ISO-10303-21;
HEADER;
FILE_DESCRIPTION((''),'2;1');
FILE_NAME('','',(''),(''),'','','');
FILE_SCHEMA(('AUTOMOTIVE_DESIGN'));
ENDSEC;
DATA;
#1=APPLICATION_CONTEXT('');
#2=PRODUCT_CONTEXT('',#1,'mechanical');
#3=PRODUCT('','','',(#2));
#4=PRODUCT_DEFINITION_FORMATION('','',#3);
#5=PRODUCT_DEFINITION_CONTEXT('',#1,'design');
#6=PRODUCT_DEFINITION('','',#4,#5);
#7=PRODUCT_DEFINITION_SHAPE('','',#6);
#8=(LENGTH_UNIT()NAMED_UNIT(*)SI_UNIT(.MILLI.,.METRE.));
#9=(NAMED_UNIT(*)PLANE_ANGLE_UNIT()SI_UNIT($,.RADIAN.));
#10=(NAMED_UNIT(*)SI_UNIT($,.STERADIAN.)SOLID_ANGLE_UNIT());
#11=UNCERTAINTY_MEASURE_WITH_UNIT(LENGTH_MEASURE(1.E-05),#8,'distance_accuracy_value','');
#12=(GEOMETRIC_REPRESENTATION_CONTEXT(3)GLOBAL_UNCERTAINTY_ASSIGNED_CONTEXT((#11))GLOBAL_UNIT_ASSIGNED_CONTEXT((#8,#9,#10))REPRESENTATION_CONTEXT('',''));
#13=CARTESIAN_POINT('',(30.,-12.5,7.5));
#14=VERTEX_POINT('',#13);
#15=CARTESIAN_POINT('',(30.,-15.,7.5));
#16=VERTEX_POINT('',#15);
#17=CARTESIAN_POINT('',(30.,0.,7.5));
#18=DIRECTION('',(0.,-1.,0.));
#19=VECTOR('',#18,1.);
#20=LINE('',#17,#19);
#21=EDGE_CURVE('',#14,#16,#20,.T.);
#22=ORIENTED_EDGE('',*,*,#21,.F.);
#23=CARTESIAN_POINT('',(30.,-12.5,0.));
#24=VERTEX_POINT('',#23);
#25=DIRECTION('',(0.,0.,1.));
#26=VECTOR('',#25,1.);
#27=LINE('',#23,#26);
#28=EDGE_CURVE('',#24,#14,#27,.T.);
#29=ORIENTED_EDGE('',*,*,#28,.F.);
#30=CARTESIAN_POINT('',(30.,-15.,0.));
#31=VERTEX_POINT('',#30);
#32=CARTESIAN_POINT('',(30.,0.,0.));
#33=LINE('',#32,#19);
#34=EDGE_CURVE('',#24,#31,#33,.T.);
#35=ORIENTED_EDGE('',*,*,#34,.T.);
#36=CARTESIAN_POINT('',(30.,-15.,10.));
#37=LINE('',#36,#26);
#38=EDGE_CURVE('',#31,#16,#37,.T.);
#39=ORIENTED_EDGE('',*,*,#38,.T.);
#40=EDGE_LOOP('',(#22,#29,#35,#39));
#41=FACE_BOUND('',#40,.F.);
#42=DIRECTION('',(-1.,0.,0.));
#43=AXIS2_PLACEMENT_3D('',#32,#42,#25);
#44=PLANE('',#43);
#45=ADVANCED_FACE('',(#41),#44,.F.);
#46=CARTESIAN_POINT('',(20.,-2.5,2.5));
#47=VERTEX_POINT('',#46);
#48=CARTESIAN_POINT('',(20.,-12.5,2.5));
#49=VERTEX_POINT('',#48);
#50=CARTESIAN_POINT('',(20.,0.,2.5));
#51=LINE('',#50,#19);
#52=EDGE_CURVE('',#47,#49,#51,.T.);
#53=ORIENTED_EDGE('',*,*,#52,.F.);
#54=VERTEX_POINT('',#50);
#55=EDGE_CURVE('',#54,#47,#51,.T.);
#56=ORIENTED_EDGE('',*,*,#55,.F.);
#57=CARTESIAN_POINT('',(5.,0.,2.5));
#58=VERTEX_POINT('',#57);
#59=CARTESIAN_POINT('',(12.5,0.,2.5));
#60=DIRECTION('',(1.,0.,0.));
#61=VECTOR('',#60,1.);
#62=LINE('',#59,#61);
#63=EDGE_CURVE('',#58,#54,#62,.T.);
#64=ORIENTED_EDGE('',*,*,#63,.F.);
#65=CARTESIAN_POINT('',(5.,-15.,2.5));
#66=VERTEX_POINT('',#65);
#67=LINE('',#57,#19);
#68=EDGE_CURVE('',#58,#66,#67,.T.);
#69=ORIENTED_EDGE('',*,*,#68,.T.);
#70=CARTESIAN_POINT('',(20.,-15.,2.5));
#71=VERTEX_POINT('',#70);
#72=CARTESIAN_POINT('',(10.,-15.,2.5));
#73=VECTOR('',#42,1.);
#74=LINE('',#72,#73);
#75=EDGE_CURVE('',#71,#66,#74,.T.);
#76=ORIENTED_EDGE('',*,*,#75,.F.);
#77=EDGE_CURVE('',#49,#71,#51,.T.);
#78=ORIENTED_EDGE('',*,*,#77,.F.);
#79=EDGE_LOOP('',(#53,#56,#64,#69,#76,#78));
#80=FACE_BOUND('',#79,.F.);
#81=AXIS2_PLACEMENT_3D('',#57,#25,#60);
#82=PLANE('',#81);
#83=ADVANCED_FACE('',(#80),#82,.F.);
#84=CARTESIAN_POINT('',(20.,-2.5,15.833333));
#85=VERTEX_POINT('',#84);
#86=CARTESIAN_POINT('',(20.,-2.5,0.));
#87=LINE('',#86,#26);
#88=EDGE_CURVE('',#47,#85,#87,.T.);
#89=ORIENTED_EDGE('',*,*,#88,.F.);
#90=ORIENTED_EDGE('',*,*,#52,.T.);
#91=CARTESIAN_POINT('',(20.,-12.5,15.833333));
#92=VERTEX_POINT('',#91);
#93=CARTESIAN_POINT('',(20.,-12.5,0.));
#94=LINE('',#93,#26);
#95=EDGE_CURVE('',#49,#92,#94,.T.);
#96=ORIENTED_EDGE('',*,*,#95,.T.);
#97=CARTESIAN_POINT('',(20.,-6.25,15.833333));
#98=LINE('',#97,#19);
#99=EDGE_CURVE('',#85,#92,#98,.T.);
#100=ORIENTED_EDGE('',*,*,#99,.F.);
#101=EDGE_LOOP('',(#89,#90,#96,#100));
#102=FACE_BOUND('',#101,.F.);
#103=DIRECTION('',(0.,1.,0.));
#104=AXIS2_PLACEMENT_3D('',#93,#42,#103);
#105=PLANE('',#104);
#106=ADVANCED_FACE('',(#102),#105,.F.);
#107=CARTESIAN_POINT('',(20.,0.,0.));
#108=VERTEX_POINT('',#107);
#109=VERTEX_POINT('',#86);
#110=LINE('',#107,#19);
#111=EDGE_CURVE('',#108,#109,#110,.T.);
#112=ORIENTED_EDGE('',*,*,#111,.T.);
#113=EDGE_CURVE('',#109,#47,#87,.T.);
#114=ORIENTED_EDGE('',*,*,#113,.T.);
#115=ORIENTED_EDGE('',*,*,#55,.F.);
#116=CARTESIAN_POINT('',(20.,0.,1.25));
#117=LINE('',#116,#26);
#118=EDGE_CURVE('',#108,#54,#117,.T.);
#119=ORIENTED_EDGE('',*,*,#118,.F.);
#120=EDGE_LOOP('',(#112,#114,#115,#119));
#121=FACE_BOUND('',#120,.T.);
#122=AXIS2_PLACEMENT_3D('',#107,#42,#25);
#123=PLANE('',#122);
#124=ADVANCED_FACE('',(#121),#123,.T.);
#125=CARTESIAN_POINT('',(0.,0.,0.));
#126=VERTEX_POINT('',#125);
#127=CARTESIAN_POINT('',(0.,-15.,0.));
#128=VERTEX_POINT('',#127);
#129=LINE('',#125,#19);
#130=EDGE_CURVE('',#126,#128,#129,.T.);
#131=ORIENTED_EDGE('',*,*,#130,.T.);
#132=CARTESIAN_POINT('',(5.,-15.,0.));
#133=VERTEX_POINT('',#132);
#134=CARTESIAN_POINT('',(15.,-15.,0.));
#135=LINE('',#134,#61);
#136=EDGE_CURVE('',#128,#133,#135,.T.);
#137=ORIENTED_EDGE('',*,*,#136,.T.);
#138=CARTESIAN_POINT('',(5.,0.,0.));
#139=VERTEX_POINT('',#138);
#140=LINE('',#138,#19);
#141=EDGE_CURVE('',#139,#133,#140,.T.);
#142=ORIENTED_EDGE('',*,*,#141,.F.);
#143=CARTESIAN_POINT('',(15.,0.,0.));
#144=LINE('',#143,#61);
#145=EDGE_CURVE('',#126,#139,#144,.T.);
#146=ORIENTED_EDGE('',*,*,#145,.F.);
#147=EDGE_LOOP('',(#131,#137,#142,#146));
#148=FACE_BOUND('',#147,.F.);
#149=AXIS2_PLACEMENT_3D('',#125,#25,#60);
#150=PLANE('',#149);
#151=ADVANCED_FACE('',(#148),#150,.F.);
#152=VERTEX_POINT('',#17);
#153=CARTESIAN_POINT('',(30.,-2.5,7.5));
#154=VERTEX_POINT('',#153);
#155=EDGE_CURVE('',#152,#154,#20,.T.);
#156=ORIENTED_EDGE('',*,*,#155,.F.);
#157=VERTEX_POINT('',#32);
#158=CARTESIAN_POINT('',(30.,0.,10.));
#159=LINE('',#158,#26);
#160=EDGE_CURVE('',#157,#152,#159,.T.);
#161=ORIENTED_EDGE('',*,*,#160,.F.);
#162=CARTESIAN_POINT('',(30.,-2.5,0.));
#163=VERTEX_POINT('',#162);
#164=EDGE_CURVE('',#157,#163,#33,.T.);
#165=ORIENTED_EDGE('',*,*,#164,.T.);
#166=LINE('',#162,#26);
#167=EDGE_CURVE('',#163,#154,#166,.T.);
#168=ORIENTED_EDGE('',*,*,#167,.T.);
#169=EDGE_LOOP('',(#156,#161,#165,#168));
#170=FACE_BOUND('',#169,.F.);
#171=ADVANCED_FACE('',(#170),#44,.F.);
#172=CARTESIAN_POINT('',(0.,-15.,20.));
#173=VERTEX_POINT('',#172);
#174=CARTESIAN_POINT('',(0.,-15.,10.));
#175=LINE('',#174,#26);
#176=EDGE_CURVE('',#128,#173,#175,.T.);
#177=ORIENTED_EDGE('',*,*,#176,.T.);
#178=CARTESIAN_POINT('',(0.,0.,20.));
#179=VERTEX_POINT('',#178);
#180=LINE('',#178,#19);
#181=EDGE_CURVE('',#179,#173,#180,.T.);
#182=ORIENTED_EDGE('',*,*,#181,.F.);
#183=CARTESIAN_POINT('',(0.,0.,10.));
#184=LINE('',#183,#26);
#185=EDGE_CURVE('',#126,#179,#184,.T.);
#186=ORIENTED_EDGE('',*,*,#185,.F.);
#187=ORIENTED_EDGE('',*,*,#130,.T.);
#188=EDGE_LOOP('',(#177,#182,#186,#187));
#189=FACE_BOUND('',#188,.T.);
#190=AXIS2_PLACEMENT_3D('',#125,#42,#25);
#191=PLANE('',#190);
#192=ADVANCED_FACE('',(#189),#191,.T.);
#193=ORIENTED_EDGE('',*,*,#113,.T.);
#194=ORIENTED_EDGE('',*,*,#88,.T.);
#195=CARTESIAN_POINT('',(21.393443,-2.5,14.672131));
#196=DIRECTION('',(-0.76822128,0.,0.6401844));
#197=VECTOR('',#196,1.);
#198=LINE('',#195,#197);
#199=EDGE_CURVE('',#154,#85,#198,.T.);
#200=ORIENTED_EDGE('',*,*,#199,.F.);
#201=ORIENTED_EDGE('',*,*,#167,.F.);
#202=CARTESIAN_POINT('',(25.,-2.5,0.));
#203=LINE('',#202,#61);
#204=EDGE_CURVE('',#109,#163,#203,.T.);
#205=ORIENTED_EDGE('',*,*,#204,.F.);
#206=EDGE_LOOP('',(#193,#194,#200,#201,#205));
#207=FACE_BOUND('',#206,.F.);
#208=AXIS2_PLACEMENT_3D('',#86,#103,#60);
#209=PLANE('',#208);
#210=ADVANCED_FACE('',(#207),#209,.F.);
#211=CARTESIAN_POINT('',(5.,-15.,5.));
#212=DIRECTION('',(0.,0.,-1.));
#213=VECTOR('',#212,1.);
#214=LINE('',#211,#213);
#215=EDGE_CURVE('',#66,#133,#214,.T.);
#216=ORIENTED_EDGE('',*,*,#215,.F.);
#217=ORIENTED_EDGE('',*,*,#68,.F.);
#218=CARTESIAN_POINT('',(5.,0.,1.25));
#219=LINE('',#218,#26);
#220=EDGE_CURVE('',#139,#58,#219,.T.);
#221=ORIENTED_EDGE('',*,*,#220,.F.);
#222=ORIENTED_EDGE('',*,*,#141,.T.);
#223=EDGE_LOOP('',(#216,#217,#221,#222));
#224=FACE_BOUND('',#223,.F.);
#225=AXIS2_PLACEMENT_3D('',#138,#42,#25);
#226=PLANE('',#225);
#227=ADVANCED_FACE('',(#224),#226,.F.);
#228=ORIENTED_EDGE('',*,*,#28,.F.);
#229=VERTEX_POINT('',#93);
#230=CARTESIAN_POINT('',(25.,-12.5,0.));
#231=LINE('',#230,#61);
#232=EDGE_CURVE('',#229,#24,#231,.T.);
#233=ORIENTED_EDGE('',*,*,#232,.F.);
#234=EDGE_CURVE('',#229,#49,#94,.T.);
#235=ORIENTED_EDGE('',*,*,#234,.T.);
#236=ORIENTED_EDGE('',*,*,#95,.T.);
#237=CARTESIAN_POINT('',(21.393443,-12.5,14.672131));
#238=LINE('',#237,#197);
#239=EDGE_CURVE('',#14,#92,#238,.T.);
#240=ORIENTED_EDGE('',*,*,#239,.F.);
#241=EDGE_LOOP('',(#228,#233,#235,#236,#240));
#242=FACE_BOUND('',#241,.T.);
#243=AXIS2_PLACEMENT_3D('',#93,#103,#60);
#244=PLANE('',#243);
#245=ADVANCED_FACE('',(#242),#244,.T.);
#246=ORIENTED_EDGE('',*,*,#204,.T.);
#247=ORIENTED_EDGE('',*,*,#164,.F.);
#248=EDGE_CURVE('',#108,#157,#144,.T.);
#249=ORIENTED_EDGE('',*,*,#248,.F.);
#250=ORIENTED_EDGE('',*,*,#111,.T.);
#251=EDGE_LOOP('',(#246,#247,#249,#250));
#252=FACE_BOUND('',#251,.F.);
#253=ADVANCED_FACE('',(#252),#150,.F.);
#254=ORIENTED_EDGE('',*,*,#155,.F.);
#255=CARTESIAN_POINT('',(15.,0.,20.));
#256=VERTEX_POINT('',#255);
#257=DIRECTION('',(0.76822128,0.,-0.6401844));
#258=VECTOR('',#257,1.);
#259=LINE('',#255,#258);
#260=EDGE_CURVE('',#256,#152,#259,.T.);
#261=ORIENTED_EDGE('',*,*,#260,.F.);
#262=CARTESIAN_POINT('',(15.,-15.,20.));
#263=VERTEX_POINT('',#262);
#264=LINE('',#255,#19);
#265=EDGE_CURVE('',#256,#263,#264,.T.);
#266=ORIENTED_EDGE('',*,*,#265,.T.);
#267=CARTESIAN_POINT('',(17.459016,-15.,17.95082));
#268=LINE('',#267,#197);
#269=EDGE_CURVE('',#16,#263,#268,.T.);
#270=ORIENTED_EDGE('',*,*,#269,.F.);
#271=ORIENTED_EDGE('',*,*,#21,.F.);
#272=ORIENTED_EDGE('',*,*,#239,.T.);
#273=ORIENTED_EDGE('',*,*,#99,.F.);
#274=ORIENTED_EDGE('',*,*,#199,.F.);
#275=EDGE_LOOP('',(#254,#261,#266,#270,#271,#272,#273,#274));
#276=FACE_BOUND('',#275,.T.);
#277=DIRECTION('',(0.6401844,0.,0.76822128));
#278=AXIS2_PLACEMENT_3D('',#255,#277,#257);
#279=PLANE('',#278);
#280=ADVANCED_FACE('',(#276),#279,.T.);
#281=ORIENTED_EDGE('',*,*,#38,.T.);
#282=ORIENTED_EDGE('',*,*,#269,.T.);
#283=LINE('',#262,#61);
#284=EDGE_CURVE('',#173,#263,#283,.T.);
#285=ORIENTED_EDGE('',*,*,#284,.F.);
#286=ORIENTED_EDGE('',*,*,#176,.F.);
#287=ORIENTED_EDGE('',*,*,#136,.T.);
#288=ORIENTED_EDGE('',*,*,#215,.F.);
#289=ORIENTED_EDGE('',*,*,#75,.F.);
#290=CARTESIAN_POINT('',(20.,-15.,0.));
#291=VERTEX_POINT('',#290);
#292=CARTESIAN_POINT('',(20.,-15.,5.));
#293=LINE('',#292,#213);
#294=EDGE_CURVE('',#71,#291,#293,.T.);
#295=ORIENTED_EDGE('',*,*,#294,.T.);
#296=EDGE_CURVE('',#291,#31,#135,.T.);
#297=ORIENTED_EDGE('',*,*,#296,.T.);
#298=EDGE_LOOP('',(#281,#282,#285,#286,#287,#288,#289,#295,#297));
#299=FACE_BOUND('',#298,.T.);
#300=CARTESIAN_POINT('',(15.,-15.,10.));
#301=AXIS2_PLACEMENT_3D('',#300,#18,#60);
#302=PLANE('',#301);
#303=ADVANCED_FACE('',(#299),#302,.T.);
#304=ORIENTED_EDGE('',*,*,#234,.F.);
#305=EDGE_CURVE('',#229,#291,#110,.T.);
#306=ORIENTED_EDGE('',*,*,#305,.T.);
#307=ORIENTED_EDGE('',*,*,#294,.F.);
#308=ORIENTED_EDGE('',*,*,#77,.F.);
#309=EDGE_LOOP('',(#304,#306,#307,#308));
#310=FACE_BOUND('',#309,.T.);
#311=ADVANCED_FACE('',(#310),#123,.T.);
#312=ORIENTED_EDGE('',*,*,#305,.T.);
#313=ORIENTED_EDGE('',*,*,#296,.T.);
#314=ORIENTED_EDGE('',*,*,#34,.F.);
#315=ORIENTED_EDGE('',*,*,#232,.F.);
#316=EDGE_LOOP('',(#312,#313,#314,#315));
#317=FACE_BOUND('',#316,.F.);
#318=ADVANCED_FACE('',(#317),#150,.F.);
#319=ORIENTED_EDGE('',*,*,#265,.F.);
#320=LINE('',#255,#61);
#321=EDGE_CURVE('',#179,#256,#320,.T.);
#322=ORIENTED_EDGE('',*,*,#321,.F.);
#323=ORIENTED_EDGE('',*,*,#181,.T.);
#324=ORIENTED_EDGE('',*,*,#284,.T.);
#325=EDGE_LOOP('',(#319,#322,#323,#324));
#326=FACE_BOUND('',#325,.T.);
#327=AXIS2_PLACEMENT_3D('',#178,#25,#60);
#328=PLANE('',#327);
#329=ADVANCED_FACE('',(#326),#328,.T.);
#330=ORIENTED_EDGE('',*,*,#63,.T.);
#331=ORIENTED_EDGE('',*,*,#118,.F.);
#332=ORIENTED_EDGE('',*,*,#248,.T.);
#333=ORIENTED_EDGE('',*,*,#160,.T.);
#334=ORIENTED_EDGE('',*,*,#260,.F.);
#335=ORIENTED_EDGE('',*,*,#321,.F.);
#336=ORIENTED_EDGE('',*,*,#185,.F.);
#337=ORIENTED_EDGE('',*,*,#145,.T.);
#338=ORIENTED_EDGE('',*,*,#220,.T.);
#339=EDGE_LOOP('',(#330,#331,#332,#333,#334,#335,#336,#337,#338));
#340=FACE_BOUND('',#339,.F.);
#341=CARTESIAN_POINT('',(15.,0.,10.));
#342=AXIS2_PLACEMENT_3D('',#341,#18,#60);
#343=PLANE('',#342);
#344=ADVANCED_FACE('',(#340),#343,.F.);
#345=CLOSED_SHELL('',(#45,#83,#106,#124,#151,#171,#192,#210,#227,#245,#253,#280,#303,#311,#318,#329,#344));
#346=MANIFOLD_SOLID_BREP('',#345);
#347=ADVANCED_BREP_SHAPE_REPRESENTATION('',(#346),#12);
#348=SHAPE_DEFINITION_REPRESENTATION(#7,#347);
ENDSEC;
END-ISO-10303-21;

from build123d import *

# Parameters (mm, degrees)
F0_W     = 30
F0_H     = 20
F1_DEPTH = 15
F2_W     = 15
F2_H     = 2.5
F3_DEPTH = 15.001
F4_W     = 10
F4_H     = 10
F5_DEPTH = 20.001


with BuildPart() as f1:
    # F0 (on Front) → F1 (new body)
    with BuildSketch(Plane.XZ):
        with Locations((15, 10)):
            Rectangle(F0_W, F0_H)
    extrude(amount=F1_DEPTH)

    # F2 (on Front) → F3 (cut, through all)
    with BuildSketch(Plane.XZ):
        with Locations((12.5, 1.25)):
            Rectangle(F2_W, F2_H)
        Polygon((30, 20), (15, 20), (30, 7.5), align=None)
    extrude(amount=F3_DEPTH, mode=Mode.SUBTRACT)

    # F4 (on Top) → F5 (cut, through all)
    with BuildSketch(Plane.XY):
        with Locations((25, -7.5)):
            Rectangle(F4_W, F4_H)
    extrude(amount=F5_DEPTH, mode=Mode.SUBTRACT)


solid = f1.part
